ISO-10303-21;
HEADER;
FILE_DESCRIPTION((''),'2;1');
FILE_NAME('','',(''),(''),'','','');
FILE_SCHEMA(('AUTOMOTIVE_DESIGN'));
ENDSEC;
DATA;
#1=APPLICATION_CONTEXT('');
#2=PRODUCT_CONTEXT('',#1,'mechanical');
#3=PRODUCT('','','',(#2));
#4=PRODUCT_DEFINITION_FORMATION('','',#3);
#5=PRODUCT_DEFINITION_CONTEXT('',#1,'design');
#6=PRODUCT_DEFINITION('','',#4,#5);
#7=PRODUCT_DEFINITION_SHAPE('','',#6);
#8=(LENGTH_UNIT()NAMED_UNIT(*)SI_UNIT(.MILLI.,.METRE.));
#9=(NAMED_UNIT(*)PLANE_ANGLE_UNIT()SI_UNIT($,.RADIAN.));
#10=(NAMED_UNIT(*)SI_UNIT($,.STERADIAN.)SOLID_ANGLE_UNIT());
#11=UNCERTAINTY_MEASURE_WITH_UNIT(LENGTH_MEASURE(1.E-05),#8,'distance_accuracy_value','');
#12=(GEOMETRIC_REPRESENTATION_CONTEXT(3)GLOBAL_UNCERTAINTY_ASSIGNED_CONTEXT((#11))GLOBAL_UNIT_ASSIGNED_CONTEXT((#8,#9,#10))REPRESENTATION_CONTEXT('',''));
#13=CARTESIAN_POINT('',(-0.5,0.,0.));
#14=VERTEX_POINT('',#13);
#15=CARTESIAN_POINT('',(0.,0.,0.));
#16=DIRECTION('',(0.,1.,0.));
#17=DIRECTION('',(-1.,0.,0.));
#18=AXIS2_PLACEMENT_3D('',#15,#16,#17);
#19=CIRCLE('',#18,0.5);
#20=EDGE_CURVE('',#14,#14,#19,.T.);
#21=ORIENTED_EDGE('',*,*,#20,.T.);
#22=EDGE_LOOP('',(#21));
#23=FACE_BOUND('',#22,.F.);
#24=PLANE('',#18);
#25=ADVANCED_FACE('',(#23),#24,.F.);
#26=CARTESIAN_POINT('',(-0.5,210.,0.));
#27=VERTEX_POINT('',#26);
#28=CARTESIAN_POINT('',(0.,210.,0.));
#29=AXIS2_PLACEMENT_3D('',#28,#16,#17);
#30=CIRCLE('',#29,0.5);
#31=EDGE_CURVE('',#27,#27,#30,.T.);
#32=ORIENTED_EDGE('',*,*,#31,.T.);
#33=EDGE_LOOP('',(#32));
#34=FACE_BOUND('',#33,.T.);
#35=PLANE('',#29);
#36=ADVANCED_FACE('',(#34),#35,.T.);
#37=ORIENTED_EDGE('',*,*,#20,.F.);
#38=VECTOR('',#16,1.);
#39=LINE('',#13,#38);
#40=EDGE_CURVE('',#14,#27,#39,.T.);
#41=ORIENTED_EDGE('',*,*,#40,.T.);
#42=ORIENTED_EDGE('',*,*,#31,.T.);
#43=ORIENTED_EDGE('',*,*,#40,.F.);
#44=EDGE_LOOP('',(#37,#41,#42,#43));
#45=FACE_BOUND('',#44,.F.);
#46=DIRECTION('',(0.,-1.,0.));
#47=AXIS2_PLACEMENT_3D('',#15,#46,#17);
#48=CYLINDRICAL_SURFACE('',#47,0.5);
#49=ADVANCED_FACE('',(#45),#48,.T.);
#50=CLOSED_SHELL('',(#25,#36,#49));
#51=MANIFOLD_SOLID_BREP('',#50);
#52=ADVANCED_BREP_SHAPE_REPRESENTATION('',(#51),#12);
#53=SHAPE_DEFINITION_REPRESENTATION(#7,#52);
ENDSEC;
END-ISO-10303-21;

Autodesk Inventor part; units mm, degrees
ref_plane "YZ Plane" through (0, 0, 0) normal (1, 0, 0) x (0, 1, 0)
ref_plane "XZ Plane" through (0, 0, 0) normal (0, 1, 0) x (-1, 0, 0)
ref_plane "XY Plane" through (0, 0, 0) normal (0, 0, 1) x (1, 0, 0)
sketch "Skizze1" plane through (0, 0, 0) normal (0, 1, 0) x (-1, 0, 0)
  circle A0 centre (0, 0) radius 0.5
  dimension "d0" = 1
extrude "Extrusion1" add sketch "Skizze1" along normal blind 210
properties part number "WireCathode2" material "Aluminium 6061"
